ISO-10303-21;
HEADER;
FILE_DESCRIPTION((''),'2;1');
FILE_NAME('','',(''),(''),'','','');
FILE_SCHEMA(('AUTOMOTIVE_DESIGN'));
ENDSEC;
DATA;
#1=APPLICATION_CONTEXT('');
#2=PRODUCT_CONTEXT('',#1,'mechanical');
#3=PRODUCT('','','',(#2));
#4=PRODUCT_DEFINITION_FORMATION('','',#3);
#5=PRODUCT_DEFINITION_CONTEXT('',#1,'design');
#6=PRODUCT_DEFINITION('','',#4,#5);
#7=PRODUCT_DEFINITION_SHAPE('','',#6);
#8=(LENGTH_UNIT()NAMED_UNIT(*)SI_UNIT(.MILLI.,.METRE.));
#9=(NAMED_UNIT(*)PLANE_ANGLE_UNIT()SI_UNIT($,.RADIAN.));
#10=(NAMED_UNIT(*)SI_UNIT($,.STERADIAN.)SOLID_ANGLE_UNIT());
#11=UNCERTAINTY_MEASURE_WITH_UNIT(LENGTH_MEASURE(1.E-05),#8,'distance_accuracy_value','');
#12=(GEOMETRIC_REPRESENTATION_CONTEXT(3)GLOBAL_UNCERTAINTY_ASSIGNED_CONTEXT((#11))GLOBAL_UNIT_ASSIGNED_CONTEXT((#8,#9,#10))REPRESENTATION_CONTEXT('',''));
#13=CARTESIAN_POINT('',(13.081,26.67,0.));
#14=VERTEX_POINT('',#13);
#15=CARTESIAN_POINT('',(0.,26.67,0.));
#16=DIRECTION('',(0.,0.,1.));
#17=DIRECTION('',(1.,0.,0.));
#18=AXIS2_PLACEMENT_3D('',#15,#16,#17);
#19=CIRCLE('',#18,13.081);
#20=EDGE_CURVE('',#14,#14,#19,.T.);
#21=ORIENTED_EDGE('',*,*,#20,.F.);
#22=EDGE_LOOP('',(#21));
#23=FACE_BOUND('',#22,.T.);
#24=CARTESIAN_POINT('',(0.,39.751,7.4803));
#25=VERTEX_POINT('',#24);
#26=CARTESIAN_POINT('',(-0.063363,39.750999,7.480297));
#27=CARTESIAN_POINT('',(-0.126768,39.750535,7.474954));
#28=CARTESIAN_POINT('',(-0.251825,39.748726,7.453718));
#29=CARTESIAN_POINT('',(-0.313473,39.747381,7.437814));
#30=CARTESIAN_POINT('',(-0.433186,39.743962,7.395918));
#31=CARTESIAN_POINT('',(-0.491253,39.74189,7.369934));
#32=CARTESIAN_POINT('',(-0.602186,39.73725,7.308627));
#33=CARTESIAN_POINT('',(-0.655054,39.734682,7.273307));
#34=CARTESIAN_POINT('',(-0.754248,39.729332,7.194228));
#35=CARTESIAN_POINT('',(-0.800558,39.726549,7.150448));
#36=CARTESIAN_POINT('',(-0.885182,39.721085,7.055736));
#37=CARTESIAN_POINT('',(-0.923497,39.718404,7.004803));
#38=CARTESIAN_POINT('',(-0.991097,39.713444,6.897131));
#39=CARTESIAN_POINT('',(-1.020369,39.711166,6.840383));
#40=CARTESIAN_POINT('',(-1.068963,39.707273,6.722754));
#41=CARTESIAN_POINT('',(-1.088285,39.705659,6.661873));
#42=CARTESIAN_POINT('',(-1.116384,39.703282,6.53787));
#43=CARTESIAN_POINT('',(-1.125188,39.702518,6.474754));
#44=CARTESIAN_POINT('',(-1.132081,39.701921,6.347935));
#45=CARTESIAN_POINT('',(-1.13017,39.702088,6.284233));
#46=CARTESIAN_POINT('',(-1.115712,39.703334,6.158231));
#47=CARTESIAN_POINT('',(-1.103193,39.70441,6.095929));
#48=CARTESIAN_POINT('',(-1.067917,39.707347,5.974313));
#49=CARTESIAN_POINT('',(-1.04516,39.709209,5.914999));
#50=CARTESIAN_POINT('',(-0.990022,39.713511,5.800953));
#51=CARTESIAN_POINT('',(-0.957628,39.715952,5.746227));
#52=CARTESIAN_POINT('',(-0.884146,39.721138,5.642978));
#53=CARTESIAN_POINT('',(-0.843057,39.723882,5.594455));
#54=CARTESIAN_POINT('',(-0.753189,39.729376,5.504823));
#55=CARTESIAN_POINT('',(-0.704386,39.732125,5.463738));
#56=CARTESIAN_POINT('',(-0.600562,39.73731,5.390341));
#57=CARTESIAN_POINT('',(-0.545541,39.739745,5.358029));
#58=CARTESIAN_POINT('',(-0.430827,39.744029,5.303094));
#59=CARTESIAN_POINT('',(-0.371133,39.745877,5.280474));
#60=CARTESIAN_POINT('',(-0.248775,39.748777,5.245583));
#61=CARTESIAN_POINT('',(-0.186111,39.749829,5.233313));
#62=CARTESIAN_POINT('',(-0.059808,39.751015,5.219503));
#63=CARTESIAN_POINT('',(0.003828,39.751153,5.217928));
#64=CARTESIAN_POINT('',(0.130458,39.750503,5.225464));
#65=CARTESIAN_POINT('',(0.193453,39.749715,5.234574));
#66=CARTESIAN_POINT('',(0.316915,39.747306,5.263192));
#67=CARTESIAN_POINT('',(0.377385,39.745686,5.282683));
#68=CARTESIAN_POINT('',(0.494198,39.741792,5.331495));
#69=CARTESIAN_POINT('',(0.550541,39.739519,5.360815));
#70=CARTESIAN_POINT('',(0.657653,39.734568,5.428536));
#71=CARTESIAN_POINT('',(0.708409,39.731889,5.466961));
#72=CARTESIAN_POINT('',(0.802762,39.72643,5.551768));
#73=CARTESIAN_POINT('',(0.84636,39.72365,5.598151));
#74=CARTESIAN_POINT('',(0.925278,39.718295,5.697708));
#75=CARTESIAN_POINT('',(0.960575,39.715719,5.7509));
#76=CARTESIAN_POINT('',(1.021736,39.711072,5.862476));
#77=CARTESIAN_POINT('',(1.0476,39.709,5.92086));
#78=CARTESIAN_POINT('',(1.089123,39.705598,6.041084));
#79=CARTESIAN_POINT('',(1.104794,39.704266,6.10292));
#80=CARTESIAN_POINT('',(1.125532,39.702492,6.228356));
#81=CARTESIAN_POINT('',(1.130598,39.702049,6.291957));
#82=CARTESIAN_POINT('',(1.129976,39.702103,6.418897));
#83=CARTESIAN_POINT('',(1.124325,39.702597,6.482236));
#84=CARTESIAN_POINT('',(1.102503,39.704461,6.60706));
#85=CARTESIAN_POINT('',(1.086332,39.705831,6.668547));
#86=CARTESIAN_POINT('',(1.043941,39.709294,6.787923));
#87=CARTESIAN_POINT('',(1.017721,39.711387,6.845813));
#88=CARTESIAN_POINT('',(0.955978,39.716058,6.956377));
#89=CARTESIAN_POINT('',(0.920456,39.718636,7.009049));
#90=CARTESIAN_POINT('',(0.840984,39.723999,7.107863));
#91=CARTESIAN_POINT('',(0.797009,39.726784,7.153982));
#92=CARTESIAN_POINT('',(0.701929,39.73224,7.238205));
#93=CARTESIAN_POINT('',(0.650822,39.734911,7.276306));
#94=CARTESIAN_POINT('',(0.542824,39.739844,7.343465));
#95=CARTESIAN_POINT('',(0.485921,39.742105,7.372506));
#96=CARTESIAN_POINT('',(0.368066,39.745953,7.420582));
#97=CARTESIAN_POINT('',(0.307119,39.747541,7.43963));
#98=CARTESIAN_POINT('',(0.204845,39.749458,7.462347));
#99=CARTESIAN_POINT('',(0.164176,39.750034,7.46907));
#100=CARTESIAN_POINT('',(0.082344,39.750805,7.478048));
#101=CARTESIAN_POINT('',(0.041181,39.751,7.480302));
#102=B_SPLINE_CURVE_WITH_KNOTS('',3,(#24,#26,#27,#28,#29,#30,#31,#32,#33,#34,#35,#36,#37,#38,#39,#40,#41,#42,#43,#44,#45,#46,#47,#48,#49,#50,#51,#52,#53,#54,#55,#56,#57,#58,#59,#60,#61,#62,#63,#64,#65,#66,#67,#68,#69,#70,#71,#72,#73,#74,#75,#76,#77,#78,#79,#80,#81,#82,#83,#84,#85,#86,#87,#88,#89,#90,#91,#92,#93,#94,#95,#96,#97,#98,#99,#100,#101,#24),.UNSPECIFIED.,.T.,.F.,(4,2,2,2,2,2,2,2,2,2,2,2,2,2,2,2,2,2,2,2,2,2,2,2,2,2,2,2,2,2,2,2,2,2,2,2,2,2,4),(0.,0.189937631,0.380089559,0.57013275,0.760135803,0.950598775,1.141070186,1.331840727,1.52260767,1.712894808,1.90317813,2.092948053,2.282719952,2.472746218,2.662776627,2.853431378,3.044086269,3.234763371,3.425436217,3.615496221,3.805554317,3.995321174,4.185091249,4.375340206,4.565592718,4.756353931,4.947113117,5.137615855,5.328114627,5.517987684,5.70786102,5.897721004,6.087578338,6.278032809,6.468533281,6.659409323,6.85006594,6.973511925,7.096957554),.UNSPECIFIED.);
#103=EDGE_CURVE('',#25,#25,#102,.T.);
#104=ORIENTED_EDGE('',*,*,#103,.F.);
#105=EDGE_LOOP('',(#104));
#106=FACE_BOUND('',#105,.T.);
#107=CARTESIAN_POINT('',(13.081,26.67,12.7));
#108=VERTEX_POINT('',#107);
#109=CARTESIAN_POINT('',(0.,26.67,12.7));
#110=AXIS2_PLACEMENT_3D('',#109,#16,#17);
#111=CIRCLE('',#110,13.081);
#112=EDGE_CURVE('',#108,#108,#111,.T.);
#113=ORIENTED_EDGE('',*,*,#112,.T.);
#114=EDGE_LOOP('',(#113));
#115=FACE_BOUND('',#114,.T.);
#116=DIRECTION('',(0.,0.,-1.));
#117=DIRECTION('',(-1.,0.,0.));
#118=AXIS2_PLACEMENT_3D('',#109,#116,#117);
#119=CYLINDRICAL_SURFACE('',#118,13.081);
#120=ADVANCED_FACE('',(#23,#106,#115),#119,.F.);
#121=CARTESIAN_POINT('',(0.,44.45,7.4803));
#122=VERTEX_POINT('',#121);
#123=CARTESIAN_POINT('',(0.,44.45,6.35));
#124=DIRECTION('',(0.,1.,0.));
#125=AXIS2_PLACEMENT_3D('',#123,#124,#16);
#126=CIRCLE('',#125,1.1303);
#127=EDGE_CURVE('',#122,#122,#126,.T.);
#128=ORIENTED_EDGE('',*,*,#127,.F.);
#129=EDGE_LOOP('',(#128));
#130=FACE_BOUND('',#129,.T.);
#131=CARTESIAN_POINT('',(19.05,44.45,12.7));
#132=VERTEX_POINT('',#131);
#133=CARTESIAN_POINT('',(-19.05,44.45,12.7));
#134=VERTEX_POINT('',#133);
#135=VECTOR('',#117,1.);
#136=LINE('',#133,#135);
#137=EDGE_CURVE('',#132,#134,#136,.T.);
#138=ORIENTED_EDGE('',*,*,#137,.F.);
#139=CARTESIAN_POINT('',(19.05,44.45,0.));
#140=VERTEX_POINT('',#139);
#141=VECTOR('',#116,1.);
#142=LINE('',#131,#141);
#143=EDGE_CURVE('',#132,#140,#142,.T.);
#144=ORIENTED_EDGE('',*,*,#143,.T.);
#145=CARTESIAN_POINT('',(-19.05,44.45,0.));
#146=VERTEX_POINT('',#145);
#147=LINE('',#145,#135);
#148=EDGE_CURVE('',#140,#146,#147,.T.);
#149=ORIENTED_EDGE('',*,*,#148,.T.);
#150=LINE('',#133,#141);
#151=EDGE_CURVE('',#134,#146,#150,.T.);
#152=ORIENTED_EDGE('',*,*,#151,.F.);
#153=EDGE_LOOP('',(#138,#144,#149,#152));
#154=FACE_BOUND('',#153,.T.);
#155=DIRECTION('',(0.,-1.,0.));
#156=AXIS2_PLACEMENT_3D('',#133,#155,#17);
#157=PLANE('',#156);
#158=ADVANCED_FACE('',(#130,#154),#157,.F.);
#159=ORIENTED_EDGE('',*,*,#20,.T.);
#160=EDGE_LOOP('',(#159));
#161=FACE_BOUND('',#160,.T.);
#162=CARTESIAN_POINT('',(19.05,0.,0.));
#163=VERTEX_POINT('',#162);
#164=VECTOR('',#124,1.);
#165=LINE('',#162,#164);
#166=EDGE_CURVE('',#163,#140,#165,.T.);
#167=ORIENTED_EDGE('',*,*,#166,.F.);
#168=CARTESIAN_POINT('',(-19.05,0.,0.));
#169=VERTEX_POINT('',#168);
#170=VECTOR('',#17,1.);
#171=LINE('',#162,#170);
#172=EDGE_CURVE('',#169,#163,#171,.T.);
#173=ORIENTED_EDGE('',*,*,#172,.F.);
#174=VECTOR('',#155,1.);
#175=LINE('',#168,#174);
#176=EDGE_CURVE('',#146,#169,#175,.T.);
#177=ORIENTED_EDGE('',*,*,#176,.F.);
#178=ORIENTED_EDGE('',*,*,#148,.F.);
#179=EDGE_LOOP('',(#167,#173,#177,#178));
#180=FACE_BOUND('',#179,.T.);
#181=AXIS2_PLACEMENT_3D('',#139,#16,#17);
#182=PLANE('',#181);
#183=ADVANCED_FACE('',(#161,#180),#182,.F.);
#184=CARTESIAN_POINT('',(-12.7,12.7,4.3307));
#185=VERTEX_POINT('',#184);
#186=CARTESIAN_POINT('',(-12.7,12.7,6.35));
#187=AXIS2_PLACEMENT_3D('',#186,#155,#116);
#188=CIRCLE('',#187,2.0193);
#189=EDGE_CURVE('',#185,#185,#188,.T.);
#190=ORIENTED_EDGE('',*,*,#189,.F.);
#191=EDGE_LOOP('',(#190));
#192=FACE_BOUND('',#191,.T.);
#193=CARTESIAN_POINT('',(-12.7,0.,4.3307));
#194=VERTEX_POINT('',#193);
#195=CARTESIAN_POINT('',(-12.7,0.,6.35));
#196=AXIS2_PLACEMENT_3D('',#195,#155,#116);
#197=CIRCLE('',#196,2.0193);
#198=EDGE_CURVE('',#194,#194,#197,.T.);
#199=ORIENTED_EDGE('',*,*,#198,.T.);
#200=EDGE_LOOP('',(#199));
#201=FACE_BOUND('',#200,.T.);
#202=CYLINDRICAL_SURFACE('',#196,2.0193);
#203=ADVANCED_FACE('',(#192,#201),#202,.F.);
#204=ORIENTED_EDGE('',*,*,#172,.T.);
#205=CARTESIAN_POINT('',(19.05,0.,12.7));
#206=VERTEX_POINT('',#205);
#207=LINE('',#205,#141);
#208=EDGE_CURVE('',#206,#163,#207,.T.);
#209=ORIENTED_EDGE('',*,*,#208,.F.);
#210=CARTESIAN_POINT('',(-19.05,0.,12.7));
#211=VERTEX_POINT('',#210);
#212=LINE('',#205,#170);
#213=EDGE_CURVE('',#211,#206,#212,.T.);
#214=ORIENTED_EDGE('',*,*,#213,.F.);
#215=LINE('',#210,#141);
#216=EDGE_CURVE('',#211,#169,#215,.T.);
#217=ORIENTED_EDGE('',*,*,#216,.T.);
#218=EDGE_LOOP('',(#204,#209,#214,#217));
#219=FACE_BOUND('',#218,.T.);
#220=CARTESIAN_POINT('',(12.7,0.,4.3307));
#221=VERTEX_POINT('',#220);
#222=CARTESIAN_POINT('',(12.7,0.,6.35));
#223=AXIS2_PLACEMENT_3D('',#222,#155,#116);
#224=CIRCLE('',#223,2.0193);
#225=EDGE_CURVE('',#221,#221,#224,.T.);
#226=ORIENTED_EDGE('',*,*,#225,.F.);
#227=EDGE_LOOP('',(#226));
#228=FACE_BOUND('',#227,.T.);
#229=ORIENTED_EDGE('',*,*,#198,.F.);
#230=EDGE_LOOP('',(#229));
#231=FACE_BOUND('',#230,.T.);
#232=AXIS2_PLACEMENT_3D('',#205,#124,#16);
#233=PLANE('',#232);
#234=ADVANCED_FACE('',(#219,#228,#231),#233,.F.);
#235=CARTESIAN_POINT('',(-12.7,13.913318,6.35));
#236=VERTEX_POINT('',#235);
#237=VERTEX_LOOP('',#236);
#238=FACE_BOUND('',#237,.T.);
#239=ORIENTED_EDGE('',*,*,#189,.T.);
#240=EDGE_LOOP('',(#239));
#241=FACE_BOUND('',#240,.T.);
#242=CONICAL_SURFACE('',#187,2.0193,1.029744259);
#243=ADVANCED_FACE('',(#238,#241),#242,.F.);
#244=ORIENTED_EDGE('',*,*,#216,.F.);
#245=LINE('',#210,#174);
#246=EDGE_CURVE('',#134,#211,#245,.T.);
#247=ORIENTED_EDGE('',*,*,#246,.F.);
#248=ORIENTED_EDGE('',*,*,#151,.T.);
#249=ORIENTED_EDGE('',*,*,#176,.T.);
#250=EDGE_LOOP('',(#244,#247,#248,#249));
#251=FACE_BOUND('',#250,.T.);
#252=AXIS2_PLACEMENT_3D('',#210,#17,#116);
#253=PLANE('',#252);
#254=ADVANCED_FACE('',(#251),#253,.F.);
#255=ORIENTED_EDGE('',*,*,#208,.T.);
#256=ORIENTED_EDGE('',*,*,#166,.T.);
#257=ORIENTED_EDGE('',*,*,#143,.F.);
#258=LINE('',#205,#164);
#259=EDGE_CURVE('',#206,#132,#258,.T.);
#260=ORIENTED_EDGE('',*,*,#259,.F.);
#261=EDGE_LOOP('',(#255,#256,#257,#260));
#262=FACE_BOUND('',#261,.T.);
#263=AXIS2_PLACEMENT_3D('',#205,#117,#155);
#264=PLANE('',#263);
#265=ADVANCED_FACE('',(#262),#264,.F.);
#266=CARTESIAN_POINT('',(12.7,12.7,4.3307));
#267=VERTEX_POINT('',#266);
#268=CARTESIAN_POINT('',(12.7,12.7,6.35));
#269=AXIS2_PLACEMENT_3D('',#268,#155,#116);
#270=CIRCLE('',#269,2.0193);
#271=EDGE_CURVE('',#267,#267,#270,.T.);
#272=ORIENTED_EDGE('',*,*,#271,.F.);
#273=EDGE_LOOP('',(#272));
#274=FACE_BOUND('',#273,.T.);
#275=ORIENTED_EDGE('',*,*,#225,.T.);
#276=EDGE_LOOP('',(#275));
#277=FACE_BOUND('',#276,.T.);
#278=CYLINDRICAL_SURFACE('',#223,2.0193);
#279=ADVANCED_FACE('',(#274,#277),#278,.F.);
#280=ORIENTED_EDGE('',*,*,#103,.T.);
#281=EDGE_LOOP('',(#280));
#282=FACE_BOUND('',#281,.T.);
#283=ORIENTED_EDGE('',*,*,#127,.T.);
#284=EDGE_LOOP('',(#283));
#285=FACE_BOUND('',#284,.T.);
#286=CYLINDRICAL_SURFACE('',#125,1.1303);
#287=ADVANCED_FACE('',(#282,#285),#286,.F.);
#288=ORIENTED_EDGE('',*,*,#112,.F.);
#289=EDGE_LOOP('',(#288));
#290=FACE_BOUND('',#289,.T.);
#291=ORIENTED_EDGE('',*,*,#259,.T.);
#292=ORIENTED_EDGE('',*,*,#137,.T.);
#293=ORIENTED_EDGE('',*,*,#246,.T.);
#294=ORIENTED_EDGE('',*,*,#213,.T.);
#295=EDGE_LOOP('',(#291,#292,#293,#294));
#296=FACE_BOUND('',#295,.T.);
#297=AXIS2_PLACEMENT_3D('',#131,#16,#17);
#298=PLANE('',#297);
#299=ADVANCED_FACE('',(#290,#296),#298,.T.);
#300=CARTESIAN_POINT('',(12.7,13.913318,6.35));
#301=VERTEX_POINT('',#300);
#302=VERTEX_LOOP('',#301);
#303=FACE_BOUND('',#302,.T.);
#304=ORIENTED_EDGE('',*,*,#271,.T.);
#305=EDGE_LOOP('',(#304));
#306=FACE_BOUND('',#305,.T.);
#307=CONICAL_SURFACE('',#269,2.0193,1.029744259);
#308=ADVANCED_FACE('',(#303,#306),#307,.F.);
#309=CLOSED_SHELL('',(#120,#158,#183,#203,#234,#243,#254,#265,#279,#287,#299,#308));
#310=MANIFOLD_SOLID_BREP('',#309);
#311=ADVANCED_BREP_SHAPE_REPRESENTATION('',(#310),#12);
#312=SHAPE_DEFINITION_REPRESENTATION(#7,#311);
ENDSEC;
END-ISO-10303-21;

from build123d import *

# Parameters (mm, degrees)
SKETCH1_W                  = 38.1
SKETCH1_H                  = 44.45
SKETCH1_R                  = 13.081
BOSS_EXTRUDE1_DEPTH        = 12.7
F_4_40_TAPPED_HOLE1_D      = 2.2606
F_4_40_TAPPED_HOLE1_DEPTH  = 17.779
F_4_40_TAPPED_HOLE1_TIP    = 0.679152758
F_10_32_TAPPED_HOLE1_D     = 4.0386
F_10_32_TAPPED_HOLE1_DEPTH = 12.7
F_10_32_TAPPED_HOLE1_TIP   = 1.213317848


with BuildPart() as part:
    # Sketch1 → Boss-Extrude1 (new body)
    with BuildSketch(Plane.XY):
        with Locations((0, 22.225)):
            Rectangle(SKETCH1_W, SKETCH1_H)
        with Locations((0, 26.67)):
            Circle(SKETCH1_R, mode=Mode.SUBTRACT)
    extrude(amount=BOSS_EXTRUDE1_DEPTH)

    # #4-40 Tapped Hole1
    with Locations(Plane(origin=(0, 44.45, 0), x_dir=(-1, 0, 0), z_dir=(0, 1, 0))):
        with Locations((0, 6.35)):
            Hole(F_4_40_TAPPED_HOLE1_D / 2, depth=F_4_40_TAPPED_HOLE1_DEPTH)
            with Locations((0, 0, -(F_4_40_TAPPED_HOLE1_DEPTH + F_4_40_TAPPED_HOLE1_TIP / 2))):  # 118° drill point
                Cone(0, F_4_40_TAPPED_HOLE1_D / 2, F_4_40_TAPPED_HOLE1_TIP, mode=Mode.SUBTRACT)

    # #10-32 Tapped Hole1
    with Locations(Plane.XZ):
        with Locations((-12.7, 6.35), (12.7, 6.35)):
            Hole(F_10_32_TAPPED_HOLE1_D / 2, depth=F_10_32_TAPPED_HOLE1_DEPTH)
            with Locations((0, 0, -(F_10_32_TAPPED_HOLE1_DEPTH + F_10_32_TAPPED_HOLE1_TIP / 2))):  # 118° drill point
                Cone(0, F_10_32_TAPPED_HOLE1_D / 2, F_10_32_TAPPED_HOLE1_TIP, mode=Mode.SUBTRACT)


solid = part.part
